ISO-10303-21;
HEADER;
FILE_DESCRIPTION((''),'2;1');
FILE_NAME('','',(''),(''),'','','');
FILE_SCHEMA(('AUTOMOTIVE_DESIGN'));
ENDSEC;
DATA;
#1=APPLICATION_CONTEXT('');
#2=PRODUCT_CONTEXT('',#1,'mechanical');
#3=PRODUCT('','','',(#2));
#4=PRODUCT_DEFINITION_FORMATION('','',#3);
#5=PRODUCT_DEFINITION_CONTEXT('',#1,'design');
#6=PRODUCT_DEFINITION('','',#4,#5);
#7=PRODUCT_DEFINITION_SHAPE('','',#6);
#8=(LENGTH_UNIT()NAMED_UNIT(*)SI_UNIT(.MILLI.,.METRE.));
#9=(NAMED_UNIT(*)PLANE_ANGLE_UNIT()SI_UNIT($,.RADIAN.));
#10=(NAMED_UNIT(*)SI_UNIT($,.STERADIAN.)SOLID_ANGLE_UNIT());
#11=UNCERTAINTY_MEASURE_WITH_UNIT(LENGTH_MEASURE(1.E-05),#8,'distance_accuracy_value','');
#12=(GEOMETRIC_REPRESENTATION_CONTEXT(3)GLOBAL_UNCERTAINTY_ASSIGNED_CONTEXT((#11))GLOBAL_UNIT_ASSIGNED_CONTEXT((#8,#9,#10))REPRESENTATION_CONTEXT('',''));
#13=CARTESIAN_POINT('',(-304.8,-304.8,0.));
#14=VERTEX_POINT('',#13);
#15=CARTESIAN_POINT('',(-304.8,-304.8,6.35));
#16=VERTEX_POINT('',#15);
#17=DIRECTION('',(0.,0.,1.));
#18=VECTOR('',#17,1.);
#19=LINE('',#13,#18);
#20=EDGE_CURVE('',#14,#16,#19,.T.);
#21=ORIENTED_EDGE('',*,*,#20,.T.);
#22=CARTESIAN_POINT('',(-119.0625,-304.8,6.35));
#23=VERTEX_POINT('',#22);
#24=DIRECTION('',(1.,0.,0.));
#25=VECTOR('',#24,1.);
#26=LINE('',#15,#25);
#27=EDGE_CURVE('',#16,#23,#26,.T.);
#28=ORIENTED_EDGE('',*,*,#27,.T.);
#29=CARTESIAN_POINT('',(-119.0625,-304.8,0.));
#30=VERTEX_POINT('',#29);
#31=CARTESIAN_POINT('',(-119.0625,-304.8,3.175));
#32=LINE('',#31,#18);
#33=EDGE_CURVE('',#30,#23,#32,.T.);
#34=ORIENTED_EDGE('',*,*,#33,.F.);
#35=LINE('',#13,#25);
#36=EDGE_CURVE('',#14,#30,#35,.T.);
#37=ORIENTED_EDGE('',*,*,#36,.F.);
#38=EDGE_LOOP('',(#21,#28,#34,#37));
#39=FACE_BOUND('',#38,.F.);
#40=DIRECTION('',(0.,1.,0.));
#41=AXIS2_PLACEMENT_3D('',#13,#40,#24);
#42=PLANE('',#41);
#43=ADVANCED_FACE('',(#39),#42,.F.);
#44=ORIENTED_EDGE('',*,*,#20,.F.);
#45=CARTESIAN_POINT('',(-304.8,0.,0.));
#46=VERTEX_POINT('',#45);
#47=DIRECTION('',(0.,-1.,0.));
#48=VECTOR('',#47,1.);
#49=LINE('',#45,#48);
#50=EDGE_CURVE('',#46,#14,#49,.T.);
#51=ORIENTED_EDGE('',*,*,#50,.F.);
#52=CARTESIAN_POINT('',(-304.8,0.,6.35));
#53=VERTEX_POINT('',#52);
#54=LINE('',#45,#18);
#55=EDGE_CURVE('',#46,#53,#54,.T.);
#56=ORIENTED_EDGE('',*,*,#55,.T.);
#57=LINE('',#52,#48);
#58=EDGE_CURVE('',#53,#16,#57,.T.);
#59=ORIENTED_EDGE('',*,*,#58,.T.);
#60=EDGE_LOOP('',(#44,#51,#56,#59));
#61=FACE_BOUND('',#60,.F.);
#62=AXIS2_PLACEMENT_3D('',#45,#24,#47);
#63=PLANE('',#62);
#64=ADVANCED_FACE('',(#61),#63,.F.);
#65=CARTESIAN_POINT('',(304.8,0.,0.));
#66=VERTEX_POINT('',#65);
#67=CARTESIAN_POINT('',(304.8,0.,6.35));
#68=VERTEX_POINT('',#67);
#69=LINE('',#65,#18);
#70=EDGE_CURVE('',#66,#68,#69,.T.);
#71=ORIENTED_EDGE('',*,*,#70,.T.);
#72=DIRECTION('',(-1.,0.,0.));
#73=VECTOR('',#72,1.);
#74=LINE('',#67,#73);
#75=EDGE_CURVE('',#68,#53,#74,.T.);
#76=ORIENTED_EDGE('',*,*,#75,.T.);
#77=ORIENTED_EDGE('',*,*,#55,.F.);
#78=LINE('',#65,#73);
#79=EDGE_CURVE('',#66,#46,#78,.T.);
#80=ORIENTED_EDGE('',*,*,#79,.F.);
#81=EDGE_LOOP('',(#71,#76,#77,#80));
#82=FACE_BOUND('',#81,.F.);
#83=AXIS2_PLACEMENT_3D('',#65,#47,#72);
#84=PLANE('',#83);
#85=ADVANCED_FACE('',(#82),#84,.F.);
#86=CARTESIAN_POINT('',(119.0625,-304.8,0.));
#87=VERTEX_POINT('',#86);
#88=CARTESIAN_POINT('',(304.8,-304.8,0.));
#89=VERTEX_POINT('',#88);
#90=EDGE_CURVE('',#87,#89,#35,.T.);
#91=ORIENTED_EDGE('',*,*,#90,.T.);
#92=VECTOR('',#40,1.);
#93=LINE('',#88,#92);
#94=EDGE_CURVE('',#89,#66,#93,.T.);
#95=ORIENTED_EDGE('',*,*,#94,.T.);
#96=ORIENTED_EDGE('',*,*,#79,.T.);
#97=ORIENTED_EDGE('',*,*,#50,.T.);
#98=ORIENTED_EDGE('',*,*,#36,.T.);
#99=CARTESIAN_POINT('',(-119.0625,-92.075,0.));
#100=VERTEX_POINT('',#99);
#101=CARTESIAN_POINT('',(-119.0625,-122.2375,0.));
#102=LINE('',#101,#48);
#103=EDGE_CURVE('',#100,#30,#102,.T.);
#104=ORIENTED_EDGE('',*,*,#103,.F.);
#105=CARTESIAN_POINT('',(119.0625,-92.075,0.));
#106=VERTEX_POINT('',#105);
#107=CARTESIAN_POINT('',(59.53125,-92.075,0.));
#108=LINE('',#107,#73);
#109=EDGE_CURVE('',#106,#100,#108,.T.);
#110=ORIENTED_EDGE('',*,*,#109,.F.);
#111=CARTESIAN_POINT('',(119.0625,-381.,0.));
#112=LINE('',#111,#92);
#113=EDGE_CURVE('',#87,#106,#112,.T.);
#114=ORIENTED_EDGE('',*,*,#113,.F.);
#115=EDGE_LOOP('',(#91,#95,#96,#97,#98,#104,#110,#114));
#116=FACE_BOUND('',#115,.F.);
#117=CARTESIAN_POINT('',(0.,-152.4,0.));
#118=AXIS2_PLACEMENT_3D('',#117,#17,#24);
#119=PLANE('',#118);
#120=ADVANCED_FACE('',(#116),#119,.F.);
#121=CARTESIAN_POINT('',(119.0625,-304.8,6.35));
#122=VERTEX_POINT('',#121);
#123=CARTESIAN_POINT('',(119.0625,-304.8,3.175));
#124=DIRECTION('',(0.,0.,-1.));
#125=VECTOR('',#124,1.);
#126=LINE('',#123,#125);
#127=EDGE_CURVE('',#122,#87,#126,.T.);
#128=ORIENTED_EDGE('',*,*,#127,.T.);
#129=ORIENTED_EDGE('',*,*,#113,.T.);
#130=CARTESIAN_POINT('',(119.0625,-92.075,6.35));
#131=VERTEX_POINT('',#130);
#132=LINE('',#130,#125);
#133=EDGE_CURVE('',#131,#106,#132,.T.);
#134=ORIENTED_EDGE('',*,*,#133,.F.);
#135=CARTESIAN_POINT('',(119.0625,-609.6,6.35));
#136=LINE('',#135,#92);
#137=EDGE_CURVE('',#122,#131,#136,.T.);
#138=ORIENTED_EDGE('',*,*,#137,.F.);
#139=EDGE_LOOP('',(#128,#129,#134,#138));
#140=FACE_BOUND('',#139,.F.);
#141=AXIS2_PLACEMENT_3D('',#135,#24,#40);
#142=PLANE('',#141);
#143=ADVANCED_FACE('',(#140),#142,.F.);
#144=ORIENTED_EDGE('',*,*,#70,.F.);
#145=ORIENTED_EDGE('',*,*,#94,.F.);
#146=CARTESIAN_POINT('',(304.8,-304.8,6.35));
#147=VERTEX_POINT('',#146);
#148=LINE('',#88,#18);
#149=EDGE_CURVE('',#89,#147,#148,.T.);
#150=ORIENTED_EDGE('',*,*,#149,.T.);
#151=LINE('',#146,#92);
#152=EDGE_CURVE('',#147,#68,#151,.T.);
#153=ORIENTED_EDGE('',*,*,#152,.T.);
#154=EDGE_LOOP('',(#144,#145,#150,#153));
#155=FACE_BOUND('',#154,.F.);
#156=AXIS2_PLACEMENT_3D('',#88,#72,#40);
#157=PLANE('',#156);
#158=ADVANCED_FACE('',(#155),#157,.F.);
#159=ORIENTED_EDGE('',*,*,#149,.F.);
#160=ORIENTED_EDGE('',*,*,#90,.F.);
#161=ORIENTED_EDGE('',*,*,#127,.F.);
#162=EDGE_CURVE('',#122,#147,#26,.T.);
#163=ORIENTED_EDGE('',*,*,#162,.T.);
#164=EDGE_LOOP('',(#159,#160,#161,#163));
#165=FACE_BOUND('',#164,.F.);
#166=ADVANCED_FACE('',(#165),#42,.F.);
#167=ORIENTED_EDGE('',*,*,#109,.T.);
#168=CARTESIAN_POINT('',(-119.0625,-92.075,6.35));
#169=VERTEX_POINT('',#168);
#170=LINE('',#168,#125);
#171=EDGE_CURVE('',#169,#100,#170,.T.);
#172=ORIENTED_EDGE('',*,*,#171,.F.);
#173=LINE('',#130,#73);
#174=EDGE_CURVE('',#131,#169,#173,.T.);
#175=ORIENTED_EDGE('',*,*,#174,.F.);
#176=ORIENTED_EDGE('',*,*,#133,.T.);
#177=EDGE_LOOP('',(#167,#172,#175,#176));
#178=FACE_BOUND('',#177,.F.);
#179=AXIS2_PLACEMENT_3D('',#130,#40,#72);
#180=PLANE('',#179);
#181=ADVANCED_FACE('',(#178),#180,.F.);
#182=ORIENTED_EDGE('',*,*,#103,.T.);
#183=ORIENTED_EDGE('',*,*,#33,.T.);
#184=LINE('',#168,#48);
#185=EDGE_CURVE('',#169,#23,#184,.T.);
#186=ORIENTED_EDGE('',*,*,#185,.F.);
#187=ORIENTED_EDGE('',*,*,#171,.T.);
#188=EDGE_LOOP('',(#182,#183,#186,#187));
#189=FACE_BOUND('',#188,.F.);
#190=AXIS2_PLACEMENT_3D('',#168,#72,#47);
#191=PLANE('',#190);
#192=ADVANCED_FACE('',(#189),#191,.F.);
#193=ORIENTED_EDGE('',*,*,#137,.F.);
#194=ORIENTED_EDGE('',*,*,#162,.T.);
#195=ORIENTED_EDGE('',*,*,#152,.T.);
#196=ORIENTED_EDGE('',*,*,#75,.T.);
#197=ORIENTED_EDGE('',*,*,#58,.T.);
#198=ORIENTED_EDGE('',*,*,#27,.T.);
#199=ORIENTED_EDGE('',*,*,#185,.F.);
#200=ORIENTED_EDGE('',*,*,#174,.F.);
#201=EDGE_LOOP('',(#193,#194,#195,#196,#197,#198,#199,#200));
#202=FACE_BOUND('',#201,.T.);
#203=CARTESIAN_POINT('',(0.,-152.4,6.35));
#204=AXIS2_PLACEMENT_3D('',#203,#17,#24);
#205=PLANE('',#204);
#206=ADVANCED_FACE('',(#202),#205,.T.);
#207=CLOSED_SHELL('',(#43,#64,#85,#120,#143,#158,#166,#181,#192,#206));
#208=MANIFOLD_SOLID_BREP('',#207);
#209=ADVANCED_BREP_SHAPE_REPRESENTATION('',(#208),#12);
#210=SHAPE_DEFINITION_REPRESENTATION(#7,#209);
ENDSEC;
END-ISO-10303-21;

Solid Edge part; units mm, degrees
sketch "Sketch1" plane through (0, 0, 0) normal (0, 0, 1) x (1, 0, 0)
  line L0 (-304.8, -304.8) -> (304.8, -304.8)
  line L1 (304.8, -304.8) -> (304.8, 0)
  line L2 (304.8, 0) -> (-304.8, 0)
  line L3 (-304.8, 0) -> (-304.8, -304.8)
  dimension "D1" = 609.6
  dimension "D2" = 304.8
extrude "Protrusion1" add sketch "Sketch1" along normal blind 6.35
extrude "Cutout1" [suppressed]
sketch "Sketch2" plane through (0, -152.4, 6.35) normal (0, 0, 1) x (0, 1, 0)
  line L0 (-457.2, -119.0625) -> (60.325, -119.0625)
  line L1 (60.325, -119.0625) -> (60.325, 119.0625)
  line L2 (60.325, 119.0625) -> (-457.2, 119.0625)
  line L3 (-457.2, 119.0625) -> (-457.2, -119.0625)
  dimension "D1" = 517.525
  dimension "D2" = 609.6
  dimension "D3" = 238.125
extrude "Cutout2" cut sketch "Sketch2" against normal through all
properties material "Wood, Pine"
